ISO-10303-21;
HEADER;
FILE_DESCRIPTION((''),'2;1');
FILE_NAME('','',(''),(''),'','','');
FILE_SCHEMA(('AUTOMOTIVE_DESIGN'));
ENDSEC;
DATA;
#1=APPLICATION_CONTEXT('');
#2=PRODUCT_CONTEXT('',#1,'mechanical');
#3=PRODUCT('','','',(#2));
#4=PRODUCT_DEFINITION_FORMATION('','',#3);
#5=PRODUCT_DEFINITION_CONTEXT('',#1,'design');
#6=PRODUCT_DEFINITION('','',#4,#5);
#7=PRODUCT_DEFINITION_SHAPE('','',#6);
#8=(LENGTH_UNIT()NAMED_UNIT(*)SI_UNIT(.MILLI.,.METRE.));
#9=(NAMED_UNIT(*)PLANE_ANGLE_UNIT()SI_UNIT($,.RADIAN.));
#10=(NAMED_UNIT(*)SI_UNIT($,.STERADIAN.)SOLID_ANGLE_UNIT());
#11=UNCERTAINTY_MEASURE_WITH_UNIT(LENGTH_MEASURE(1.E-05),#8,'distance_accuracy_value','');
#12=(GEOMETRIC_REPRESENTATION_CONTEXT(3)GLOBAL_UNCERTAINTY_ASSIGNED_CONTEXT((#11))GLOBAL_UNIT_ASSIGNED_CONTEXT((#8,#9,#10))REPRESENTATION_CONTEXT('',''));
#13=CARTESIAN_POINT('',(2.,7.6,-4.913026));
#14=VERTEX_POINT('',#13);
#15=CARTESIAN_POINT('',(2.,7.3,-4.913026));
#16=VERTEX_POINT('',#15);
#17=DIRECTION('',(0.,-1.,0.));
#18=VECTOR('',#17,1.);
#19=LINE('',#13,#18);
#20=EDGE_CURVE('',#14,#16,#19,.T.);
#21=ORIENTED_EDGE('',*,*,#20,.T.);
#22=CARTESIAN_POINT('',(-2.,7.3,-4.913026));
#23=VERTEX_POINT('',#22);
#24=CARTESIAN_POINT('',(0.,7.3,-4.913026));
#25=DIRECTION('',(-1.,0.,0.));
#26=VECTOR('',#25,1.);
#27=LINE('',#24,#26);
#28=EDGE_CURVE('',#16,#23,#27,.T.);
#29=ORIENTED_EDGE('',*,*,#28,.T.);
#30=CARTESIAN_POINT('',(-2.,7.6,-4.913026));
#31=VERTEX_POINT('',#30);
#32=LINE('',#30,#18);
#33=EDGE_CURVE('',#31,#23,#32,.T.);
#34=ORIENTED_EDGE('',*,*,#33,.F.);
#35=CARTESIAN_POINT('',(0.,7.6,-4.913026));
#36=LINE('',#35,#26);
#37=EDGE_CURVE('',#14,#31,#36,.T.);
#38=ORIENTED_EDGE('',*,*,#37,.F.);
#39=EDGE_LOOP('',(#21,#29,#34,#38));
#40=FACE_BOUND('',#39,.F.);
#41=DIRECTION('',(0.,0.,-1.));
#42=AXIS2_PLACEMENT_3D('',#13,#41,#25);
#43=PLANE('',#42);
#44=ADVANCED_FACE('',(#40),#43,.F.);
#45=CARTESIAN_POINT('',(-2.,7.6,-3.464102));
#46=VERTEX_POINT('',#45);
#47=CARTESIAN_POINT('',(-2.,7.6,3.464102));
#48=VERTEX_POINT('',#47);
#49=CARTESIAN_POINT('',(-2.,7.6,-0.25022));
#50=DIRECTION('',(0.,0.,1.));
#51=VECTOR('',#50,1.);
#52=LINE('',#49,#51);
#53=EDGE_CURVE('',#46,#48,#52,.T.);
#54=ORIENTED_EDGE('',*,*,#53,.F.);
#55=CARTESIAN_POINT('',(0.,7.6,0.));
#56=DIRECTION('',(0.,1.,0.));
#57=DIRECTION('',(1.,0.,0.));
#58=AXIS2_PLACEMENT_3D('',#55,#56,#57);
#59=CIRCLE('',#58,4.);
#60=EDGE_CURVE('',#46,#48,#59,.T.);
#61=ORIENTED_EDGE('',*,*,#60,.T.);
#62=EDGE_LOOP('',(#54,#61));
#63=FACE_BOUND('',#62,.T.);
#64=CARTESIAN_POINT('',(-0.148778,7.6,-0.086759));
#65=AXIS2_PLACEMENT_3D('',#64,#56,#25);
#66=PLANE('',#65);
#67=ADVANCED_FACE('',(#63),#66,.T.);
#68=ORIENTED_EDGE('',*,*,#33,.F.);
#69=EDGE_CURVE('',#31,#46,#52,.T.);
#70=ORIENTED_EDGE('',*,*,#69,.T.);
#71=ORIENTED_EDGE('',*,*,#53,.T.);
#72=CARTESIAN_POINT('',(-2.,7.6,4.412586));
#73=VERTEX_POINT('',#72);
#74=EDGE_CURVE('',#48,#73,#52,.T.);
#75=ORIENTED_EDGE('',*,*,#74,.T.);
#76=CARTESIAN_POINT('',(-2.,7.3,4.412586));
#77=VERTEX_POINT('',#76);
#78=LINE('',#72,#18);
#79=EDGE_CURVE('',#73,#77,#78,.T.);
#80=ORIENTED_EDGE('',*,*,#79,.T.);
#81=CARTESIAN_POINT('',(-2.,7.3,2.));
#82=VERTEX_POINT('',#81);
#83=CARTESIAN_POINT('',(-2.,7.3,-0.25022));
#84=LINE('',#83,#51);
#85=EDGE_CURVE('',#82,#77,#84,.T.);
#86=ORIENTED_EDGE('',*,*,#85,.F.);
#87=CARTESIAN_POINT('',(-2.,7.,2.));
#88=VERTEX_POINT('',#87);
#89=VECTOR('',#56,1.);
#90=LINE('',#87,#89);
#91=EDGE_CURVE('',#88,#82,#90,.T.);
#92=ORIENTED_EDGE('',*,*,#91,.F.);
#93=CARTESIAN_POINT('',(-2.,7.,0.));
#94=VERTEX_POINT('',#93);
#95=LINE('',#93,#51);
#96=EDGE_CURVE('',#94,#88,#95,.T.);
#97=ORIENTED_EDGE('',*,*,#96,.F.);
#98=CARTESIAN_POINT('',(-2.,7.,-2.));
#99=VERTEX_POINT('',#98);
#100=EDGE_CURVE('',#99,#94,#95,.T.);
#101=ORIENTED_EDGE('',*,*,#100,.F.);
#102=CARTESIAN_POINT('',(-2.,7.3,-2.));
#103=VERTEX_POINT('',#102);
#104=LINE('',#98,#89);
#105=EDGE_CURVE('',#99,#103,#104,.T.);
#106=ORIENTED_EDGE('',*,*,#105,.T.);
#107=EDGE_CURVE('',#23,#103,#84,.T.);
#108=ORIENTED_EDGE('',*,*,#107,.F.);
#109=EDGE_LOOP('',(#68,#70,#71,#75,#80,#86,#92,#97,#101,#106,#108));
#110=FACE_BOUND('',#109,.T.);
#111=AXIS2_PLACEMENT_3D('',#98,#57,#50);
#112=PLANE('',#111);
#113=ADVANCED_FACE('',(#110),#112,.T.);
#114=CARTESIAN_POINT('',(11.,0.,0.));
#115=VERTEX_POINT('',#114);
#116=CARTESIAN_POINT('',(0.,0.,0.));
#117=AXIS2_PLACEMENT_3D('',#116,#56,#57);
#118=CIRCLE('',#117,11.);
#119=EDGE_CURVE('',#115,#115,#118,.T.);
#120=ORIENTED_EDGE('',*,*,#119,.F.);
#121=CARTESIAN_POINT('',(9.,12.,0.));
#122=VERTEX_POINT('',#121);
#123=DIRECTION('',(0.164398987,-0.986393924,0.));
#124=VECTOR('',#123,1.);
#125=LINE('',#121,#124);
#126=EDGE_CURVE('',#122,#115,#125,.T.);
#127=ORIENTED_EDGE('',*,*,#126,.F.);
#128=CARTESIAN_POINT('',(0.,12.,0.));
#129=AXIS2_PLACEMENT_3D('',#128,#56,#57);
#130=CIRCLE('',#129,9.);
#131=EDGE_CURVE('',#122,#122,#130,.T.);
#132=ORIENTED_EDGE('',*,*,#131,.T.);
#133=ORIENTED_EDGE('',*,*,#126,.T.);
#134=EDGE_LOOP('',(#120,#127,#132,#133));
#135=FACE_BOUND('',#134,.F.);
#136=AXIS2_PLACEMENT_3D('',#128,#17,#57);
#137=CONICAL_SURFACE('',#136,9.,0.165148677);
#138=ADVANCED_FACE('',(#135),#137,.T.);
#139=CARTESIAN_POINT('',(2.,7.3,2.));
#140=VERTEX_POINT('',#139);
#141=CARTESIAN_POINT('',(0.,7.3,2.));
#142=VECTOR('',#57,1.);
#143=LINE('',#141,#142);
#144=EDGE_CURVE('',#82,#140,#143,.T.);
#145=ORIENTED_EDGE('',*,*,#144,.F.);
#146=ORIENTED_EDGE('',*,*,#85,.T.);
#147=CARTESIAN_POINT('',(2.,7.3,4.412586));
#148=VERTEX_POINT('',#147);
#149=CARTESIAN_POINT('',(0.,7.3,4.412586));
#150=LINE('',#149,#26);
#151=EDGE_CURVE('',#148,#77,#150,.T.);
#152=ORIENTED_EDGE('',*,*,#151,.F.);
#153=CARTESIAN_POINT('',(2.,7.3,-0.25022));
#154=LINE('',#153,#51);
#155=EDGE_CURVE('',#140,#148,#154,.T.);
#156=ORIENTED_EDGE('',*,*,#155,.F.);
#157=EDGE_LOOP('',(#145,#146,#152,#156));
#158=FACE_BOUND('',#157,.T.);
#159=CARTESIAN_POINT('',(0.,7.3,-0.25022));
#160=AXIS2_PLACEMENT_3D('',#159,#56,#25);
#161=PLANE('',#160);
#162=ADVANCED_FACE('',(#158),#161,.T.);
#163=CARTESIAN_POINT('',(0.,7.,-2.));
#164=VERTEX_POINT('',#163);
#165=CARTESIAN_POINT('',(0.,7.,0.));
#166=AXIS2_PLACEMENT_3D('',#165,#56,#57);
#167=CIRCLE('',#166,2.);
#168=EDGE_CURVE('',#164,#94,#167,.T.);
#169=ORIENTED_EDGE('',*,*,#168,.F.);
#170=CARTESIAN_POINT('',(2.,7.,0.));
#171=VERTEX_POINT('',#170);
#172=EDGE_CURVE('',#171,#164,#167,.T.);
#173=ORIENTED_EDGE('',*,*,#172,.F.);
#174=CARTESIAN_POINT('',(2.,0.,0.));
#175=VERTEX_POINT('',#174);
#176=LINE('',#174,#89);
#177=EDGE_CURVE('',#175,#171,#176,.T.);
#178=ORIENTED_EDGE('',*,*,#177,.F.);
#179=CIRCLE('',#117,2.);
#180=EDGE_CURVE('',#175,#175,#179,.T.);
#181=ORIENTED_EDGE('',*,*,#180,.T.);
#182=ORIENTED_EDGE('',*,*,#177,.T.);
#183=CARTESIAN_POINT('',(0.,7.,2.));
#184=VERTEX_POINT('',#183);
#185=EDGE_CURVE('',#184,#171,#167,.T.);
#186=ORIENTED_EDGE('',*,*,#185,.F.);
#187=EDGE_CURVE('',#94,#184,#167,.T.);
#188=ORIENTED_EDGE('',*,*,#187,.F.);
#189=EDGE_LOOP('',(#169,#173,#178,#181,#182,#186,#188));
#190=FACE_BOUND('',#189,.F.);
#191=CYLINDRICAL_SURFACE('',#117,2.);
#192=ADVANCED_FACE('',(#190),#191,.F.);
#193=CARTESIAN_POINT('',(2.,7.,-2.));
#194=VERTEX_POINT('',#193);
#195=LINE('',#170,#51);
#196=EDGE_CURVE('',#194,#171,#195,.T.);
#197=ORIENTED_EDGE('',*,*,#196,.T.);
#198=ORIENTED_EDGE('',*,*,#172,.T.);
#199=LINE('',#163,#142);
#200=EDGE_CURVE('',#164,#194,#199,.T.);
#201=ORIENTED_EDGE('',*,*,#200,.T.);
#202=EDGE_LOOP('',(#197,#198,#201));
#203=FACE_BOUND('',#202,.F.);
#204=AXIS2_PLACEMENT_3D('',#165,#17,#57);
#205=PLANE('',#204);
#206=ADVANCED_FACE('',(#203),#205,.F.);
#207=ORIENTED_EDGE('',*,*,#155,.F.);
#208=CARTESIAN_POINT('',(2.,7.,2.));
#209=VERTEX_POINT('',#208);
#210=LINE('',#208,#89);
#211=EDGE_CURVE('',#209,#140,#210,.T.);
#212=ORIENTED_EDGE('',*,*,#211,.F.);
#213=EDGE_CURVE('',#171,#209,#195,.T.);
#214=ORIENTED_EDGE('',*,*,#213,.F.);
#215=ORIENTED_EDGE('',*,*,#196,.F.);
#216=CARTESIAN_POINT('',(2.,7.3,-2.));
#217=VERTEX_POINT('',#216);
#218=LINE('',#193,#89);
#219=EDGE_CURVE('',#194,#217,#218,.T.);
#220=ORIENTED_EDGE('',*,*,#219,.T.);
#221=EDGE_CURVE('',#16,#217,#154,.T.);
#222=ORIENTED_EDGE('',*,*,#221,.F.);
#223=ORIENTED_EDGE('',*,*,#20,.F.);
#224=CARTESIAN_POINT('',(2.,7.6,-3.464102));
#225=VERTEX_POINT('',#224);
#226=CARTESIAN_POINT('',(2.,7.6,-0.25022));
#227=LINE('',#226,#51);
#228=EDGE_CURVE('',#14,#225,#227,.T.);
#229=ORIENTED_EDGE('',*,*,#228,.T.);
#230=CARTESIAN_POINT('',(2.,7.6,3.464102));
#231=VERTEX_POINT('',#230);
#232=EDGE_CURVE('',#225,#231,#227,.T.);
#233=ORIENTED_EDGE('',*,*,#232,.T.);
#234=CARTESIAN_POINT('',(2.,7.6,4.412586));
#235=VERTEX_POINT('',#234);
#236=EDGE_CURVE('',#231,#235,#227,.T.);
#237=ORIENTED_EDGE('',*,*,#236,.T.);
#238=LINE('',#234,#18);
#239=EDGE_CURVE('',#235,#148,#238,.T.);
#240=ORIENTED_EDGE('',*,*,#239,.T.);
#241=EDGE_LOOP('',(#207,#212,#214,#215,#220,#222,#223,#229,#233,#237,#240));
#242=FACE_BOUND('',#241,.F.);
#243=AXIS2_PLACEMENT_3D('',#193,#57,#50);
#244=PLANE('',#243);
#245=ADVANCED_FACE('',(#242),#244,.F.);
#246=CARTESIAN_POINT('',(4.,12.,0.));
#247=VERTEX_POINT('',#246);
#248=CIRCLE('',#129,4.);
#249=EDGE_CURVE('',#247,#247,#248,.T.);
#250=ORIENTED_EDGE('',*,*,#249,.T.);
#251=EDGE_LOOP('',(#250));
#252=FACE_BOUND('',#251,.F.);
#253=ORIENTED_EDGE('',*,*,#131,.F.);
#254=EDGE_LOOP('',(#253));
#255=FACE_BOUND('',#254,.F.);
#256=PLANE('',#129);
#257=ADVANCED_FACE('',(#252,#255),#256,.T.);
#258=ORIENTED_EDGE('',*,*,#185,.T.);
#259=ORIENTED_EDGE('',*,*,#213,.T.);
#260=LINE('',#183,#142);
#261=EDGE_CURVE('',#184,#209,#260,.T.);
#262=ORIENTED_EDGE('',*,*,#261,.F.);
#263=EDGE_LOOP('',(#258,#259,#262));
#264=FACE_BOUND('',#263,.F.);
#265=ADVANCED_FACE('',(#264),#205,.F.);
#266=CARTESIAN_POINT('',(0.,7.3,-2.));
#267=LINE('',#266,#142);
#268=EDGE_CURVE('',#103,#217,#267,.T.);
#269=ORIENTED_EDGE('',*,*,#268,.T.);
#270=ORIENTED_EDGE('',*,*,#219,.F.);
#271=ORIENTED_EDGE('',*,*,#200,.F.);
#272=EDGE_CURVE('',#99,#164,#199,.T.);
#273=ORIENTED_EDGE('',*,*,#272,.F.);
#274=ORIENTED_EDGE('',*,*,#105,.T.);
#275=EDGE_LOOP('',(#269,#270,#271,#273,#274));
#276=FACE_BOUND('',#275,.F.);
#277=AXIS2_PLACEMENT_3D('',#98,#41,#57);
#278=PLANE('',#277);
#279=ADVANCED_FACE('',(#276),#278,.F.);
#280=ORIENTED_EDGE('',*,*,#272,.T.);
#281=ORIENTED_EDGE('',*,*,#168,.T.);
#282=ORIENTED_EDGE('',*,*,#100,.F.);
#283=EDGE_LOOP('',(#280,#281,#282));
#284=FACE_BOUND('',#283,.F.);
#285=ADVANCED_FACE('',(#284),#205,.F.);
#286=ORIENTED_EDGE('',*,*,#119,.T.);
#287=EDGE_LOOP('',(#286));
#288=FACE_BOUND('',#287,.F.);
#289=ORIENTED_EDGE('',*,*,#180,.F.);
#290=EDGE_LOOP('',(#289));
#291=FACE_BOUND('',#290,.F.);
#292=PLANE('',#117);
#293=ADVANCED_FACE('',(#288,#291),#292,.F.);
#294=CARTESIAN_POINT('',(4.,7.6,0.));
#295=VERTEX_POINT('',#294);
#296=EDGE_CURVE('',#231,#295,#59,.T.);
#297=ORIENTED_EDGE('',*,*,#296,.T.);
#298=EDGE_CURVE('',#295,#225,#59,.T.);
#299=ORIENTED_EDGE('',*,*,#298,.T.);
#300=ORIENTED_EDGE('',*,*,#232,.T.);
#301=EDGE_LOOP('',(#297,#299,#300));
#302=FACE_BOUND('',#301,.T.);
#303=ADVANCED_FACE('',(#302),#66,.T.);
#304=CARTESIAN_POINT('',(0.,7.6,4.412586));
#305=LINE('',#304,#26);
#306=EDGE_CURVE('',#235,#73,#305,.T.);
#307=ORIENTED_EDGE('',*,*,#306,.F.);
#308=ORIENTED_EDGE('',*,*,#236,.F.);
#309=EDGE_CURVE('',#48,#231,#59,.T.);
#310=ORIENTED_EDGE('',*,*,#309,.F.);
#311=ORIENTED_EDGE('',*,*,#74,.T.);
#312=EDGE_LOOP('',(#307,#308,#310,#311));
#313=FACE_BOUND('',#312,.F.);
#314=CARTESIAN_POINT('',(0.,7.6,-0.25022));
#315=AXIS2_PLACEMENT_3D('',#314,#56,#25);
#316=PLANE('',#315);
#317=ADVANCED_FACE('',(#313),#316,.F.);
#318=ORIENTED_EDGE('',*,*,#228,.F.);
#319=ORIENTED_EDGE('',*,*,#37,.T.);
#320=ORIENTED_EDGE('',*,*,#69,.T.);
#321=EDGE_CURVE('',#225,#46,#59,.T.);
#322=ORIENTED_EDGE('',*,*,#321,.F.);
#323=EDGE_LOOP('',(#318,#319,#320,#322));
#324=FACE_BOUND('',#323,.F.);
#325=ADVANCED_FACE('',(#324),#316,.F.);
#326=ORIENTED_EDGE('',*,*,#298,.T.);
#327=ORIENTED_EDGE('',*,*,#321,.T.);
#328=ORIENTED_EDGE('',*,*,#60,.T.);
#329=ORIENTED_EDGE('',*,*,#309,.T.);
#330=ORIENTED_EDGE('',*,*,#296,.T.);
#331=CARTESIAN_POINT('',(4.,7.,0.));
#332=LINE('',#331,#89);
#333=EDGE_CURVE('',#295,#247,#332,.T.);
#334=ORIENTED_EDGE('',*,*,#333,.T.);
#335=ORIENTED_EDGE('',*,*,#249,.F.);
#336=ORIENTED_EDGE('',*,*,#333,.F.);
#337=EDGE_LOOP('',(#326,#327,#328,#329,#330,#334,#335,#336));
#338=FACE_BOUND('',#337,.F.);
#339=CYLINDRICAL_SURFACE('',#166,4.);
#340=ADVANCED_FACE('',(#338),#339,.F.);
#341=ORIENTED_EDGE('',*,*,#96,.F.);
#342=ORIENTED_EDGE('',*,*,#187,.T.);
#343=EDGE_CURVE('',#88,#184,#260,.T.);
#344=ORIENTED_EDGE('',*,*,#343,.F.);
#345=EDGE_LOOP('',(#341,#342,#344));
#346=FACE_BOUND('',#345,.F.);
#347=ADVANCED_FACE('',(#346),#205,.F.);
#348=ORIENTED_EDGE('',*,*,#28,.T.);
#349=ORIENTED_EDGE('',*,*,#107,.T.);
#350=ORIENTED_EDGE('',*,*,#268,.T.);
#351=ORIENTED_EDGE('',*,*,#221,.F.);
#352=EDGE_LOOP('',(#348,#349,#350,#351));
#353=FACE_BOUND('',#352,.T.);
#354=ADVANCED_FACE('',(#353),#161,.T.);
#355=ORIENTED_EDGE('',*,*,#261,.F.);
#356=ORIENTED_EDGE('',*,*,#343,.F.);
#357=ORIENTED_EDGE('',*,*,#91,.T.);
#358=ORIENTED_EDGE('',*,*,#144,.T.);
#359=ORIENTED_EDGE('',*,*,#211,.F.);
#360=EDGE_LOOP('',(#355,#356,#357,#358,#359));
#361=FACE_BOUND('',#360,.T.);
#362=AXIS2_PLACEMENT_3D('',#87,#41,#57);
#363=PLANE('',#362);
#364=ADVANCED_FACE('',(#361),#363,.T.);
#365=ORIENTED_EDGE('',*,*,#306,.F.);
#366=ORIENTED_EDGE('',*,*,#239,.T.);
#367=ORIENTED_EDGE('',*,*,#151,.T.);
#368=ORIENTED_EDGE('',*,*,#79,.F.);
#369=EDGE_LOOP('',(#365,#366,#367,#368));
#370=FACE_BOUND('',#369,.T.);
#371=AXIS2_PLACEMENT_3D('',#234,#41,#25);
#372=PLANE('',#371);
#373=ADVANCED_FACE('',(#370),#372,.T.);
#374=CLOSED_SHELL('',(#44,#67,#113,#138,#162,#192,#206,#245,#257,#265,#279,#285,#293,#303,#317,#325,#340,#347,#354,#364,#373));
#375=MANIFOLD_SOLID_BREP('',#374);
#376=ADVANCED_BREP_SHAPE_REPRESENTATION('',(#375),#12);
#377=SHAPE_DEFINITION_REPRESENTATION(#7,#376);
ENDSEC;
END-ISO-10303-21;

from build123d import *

# Parameters (mm, degrees)
SKETCH001_W     = 9.016991
SKETCH001_H     = 9.88356
PAD_DEPTH       = 0.6
SKETCH002_W     = 4
SKETCH002_H     = 9.325613
POCKET_DEPTH    = 0.3
SKETCH003_W     = 4
SKETCH003_H     = 4
POCKET001_DEPTH = 0.3


with BuildPart() as part:
    # Sketch → Revolution (revolve)
    with BuildSketch(Plane.XY):
        Polygon((2, 7), (4, 7), (4, 12), (9, 12), (11, 0), (2, 0), align=None)
    revolve(axis=Axis((0, 0, 0), (0, 1, 0)))

    # Sketch001 (on Face1 of Revolution) → Pad (new body)
    with BuildSketch(Plane(origin=(0, 7, 0), x_dir=(-1, 0, 0), z_dir=(0, 1, 0))):
        with Locations((0.148778, -0.086759)):
            Rectangle(SKETCH001_W, SKETCH001_H)
    extrude(amount=PAD_DEPTH)

    # Sketch002 (on Face7 of Pad) → Pocket (cut)
    with BuildSketch(Plane(origin=(0, 7.6, 0), x_dir=(-1, 0, 0), z_dir=(0, 1, 0))):
        with Locations((0, -0.25022)):
            Rectangle(SKETCH002_W, SKETCH002_H)
    extrude(amount=-POCKET_DEPTH, mode=Mode.SUBTRACT)

    # Sketch003 (on Face3 of Pocket) → Pocket001 (cut)
    with BuildSketch(Plane.XZ.offset(-7)):
        Rectangle(SKETCH003_W, SKETCH003_H)
    extrude(amount=-POCKET001_DEPTH, mode=Mode.SUBTRACT)


solid = part.part
